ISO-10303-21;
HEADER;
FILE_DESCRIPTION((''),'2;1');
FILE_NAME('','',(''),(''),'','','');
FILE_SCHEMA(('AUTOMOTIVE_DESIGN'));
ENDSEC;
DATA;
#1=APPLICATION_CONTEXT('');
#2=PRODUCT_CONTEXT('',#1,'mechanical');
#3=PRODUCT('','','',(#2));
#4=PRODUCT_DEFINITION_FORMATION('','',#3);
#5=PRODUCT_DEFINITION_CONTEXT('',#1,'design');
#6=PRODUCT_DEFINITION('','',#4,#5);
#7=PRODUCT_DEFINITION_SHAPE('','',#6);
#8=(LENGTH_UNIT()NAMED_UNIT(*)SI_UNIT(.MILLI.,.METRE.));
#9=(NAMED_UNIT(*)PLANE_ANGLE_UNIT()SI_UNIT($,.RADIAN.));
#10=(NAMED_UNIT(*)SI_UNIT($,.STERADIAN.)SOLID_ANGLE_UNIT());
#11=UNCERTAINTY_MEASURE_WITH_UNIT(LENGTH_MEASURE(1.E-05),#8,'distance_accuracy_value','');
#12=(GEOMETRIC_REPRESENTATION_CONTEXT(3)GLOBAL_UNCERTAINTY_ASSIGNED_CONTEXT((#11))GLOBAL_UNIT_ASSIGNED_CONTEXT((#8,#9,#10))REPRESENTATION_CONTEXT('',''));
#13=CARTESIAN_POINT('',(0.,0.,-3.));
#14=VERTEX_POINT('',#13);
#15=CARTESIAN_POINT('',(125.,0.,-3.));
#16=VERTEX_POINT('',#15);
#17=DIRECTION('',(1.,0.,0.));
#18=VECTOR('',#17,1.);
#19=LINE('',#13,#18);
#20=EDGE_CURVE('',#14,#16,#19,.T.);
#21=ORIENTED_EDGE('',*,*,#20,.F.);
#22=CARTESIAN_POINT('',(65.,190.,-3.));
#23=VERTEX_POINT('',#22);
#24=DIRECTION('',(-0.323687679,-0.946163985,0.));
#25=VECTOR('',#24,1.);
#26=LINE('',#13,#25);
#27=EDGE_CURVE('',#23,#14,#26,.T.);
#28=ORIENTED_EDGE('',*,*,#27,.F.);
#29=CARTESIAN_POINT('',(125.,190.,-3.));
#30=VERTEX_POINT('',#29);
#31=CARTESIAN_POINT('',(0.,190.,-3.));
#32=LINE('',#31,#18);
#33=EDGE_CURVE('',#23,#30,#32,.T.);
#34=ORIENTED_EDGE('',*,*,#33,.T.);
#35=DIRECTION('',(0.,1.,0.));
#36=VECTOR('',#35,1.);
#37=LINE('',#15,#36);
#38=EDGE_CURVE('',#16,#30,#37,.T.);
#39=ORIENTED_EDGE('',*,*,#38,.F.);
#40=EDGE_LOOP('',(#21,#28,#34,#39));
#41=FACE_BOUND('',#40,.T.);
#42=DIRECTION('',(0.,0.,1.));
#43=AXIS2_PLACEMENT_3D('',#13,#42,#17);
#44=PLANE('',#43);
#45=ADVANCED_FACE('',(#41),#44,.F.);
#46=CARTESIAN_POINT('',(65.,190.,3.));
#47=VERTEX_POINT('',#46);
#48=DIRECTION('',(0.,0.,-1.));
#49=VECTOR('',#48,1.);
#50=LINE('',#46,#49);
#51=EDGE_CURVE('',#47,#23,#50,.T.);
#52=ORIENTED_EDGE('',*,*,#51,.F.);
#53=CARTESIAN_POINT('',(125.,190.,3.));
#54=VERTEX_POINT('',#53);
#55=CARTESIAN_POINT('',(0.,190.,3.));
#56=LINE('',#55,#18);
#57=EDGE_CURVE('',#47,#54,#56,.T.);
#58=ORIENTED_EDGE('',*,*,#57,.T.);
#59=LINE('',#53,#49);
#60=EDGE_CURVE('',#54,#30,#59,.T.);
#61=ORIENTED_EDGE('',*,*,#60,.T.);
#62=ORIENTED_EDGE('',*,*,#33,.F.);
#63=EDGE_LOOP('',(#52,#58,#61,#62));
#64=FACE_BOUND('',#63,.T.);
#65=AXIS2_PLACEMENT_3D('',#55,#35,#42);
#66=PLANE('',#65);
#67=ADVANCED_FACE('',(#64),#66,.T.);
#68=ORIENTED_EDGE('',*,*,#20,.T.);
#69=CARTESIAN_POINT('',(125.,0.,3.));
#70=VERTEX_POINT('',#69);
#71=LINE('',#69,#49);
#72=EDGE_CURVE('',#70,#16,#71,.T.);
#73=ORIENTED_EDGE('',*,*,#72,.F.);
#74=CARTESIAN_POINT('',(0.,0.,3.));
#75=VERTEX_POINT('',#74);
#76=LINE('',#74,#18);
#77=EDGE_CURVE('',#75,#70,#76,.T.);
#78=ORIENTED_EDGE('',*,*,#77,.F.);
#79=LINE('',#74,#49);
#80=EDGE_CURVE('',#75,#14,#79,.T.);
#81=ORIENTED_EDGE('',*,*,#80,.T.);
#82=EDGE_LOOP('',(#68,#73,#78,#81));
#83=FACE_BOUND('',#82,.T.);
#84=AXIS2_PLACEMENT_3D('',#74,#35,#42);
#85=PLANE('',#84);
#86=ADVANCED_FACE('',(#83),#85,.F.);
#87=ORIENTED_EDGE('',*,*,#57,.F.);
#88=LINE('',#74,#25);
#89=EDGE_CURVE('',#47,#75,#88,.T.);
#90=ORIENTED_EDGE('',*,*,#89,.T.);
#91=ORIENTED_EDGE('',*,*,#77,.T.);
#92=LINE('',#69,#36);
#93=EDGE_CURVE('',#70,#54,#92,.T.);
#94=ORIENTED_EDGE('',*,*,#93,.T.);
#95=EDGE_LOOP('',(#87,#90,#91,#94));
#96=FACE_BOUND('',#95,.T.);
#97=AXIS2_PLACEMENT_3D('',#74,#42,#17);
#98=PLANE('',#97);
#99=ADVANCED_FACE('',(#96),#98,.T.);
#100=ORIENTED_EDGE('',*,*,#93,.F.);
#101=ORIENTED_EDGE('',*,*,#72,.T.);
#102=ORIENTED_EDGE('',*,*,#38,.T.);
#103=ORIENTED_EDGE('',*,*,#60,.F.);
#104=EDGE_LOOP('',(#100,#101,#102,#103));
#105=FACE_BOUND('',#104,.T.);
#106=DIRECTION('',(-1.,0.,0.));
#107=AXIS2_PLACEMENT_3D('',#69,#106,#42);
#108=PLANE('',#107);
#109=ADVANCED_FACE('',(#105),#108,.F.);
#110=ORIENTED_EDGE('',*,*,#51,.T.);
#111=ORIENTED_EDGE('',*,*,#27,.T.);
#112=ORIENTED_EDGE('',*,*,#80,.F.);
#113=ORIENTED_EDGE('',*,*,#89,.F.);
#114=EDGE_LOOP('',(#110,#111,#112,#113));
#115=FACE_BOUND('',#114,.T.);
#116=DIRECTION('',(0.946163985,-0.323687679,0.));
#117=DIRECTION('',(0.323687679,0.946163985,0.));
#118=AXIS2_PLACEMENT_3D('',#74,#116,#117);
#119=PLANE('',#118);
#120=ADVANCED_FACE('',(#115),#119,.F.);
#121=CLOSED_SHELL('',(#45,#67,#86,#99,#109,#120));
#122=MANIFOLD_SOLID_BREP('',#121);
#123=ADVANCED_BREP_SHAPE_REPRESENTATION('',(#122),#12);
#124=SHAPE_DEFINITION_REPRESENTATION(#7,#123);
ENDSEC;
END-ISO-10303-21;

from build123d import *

# Parameters (mm, degrees)
BOSS_EXTRUDE1_DEPTH = 3


with BuildPart() as part:
    # Sketch1 → Boss-Extrude1 (new, symmetric)
    with BuildSketch(Plane.XY):
        Polygon((125, 190), (65, 190), (14.368421053, 42), (125, 42), align=None)
        Polygon((125, 42), (14.368421053, 42), (0, 0), (125, 0), align=None)
    extrude(amount=BOSS_EXTRUDE1_DEPTH, both=True)


solid = part.part
